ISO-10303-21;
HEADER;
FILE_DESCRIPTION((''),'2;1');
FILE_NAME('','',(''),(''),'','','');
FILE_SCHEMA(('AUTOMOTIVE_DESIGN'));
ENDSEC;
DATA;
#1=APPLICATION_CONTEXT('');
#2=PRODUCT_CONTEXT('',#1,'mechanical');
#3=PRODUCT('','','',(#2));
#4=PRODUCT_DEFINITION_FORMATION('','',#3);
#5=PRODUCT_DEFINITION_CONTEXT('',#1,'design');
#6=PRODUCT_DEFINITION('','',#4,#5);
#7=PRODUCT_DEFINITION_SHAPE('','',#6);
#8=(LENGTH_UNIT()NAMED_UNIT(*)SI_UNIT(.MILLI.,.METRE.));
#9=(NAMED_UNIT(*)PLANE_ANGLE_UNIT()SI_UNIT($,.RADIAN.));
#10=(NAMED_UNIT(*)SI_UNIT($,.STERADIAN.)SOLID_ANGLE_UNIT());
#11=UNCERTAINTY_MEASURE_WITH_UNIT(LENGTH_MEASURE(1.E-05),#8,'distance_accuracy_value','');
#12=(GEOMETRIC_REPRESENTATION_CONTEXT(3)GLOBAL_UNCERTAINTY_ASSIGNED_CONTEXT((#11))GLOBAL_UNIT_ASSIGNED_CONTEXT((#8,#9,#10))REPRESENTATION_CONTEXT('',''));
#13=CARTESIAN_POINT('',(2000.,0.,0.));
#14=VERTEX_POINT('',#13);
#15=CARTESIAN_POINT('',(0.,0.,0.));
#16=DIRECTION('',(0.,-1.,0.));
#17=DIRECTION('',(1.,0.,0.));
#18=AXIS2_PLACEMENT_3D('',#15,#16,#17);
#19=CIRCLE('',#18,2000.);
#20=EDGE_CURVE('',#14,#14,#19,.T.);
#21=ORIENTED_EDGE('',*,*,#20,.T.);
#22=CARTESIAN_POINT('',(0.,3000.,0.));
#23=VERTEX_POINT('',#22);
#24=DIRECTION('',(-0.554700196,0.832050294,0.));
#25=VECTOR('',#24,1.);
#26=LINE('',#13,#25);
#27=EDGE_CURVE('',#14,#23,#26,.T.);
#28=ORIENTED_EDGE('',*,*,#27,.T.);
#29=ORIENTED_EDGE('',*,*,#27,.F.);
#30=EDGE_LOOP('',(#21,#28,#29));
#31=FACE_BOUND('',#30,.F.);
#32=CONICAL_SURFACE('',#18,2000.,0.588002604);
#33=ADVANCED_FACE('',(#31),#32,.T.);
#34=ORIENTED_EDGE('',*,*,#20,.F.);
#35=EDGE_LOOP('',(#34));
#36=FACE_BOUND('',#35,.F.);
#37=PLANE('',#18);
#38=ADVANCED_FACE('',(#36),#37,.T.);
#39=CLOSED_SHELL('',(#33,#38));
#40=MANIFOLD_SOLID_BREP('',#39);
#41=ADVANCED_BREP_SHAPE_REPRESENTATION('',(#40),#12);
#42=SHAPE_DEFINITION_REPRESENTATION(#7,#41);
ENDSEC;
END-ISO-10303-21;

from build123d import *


with BuildPart() as f1:
    # F0 (on Top) → F1 (revolve)
    with BuildSketch(Plane.XY):
        Polygon((0, 3000), (0, 0), (2000, 0), align=None)
    revolve(axis=Axis((0, 1199.267149, 0), (0, -1, 0)))


solid = f1.part
